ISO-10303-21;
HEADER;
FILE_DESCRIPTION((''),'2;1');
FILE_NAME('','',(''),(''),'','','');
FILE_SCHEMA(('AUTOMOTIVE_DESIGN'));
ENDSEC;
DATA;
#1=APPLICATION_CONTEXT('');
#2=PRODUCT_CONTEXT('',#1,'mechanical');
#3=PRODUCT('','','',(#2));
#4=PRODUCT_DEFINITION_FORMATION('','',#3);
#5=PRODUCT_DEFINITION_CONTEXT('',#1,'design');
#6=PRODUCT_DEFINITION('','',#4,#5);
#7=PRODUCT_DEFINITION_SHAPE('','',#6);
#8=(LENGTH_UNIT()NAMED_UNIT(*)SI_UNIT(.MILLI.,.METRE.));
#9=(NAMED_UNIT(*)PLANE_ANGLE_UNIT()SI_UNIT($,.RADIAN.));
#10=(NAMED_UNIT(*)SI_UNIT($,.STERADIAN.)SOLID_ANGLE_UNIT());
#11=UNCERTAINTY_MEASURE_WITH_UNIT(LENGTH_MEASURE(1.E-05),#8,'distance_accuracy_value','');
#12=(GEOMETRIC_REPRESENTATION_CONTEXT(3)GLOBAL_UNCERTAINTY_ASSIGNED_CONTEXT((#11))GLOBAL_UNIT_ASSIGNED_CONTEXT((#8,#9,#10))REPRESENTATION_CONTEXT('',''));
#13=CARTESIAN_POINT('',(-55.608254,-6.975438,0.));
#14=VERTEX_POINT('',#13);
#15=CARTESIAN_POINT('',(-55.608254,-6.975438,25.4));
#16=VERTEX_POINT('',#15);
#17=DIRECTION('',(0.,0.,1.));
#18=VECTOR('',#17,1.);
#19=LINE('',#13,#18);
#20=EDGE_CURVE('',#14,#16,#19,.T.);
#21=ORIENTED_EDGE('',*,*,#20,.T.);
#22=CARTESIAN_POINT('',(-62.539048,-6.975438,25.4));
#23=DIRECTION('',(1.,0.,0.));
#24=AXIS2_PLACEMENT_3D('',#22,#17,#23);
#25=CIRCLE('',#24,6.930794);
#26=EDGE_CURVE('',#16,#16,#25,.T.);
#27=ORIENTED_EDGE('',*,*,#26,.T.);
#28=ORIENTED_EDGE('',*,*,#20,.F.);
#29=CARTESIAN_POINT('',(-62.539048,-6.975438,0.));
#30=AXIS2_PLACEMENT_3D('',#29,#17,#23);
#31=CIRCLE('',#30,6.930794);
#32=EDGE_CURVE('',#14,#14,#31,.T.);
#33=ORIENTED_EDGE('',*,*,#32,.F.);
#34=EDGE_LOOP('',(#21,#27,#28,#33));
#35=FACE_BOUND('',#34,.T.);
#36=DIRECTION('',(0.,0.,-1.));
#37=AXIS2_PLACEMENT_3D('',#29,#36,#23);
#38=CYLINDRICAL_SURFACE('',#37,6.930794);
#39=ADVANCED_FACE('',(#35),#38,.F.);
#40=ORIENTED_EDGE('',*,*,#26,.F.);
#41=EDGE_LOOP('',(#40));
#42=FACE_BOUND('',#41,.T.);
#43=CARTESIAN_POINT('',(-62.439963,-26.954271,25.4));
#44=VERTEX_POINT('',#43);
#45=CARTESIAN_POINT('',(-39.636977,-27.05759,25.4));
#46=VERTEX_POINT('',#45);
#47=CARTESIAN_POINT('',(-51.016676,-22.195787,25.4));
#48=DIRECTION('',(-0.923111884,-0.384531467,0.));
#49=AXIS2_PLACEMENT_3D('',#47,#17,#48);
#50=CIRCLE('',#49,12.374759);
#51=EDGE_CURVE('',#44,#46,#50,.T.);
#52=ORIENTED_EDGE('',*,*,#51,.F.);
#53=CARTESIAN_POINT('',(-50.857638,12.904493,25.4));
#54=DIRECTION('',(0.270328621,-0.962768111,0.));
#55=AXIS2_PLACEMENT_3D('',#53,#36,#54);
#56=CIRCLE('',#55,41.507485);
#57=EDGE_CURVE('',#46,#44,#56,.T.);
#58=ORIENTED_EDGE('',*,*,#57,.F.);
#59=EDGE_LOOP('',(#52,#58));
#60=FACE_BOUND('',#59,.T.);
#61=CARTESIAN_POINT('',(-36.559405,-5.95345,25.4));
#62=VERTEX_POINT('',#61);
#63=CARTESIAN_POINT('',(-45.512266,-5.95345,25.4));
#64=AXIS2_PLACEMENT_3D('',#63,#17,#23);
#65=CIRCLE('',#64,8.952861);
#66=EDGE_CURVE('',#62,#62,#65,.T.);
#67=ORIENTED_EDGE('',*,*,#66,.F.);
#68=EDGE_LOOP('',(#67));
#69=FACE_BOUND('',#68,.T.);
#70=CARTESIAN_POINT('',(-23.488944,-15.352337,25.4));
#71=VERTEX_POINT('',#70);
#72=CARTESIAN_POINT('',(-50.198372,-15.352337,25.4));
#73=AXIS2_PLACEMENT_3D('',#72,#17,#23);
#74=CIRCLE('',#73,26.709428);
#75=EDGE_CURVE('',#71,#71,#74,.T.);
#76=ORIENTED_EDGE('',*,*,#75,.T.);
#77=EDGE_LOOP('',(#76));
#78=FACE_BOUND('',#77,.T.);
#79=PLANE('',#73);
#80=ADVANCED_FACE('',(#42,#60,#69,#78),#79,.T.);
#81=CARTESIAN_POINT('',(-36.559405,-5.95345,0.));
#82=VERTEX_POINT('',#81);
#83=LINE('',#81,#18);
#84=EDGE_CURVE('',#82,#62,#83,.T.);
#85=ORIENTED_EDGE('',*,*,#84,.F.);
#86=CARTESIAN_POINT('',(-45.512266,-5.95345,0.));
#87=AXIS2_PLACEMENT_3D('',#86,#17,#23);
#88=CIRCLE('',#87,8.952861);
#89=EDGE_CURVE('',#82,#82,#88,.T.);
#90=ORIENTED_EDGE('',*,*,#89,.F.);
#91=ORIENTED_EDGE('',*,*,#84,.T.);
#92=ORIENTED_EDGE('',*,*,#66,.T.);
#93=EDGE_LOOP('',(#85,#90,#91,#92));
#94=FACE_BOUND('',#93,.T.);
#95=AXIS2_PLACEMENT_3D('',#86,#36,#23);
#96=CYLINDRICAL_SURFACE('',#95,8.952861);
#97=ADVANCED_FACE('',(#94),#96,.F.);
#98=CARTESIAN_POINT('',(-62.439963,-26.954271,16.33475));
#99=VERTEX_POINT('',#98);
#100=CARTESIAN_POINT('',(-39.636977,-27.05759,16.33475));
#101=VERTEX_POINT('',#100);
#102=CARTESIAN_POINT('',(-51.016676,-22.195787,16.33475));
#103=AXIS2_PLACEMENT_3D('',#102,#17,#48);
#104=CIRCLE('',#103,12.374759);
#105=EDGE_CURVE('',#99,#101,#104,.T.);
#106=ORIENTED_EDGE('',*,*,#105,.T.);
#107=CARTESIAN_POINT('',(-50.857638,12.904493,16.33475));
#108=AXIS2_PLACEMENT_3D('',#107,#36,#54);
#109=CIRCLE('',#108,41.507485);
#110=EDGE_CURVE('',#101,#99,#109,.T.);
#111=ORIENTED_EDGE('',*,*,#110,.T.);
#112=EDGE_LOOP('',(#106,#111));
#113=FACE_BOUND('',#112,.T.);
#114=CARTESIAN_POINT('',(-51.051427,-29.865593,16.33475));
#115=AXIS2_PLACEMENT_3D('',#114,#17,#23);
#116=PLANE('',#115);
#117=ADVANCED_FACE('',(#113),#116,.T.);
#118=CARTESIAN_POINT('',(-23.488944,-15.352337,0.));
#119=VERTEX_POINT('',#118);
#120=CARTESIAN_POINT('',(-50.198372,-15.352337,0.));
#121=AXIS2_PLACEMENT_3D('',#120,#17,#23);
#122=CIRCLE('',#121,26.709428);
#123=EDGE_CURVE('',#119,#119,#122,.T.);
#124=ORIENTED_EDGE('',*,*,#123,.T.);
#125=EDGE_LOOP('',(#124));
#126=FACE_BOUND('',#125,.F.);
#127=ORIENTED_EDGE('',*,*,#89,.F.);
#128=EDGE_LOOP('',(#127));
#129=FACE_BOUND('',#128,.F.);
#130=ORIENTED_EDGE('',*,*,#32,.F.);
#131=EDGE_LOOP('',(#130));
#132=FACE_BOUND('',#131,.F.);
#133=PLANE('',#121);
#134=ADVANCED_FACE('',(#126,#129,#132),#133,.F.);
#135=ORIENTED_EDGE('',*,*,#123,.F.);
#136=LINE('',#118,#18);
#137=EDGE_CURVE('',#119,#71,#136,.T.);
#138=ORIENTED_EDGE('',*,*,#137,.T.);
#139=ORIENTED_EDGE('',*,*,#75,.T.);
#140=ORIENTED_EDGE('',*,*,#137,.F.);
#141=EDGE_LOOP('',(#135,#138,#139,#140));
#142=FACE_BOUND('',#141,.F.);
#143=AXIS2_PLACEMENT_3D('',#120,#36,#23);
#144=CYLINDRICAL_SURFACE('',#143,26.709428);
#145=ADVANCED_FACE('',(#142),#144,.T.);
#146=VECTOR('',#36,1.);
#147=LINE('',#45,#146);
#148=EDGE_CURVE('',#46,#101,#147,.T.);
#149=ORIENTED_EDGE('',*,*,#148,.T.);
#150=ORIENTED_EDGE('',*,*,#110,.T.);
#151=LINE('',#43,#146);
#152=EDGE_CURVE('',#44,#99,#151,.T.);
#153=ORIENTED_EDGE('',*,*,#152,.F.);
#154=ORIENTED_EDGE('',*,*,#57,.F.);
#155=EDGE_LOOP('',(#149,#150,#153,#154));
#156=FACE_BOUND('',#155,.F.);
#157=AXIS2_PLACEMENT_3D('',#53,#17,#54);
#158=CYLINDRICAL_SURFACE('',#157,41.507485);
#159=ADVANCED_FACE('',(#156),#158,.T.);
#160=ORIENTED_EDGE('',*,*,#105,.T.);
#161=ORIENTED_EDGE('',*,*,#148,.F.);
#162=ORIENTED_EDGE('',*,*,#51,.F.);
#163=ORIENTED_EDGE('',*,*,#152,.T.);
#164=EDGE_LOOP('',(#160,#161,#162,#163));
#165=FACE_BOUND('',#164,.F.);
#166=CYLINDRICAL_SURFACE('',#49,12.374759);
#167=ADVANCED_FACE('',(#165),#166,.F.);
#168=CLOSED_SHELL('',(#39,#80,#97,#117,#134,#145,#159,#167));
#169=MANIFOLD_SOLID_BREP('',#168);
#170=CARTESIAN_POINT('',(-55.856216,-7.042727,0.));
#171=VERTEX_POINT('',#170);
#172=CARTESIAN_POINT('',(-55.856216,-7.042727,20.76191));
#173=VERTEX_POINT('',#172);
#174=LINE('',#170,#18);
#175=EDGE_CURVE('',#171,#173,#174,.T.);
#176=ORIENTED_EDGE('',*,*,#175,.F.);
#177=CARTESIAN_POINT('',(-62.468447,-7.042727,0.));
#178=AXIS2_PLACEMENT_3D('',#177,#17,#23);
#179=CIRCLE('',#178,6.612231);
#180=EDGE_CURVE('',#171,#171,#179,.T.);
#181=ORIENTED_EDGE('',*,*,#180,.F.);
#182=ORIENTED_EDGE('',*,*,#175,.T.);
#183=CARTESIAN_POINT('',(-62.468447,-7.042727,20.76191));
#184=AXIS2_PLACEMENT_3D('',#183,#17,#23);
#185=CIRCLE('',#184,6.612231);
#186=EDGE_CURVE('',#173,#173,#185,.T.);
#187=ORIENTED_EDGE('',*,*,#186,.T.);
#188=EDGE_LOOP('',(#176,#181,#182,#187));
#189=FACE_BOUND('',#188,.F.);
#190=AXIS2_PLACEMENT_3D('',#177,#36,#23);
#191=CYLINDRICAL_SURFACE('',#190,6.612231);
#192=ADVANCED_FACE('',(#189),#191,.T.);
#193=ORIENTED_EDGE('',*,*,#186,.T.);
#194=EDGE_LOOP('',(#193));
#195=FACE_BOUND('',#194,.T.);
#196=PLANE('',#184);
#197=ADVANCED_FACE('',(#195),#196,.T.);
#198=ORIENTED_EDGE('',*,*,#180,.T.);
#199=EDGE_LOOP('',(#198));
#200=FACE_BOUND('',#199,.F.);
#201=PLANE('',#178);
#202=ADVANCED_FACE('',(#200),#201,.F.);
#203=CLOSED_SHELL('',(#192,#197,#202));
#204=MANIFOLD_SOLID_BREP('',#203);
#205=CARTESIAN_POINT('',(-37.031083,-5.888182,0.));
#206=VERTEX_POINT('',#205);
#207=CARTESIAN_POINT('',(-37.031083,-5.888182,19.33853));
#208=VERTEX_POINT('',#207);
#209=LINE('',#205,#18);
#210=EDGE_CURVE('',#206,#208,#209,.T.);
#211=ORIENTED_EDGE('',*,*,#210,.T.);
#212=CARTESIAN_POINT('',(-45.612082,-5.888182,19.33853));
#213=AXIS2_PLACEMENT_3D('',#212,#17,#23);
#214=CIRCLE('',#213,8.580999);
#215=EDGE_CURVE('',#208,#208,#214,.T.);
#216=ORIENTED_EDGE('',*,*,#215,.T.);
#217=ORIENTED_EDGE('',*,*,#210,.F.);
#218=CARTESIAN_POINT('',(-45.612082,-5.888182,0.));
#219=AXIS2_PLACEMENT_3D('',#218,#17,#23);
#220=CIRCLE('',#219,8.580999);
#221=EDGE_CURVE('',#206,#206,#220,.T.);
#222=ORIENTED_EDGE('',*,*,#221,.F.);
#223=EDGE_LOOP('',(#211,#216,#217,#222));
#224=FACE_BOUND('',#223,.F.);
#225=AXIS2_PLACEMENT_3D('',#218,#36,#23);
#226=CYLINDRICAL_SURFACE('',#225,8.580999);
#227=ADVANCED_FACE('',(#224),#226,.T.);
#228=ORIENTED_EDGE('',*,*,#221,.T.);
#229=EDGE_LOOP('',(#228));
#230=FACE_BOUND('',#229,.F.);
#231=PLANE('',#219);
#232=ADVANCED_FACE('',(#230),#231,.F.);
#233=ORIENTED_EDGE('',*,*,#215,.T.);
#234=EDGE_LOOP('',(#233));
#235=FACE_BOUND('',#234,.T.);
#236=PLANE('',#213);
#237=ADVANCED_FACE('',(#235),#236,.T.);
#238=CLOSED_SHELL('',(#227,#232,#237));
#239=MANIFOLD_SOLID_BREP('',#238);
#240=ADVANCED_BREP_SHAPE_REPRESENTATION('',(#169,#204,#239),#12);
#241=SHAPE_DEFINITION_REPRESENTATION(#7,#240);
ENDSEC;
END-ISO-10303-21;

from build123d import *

# Parameters (mm, degrees)
F1_R     = 26.709428
F1_R_2   = 6.930794
F1_R_3   = 8.952861
F2_DEPTH = 25.4
F5_DEPTH = 9.06525
F3_R     = 6.612231
F6_DEPTH = 20.76191
F7_R     = 8.580999
F8_DEPTH = 19.33853


with BuildPart() as f2:
    # F1 (on face) → F2 (new body)
    with BuildSketch(Plane.XY):
        with Locations((-50.198372, -15.352337)):
            Circle(F1_R)
        with Locations((-62.539048, -6.975438)):
            Circle(F1_R_2, mode=Mode.SUBTRACT)
        with Locations((-45.512266, -5.95345)):
            Circle(F1_R_3, mode=Mode.SUBTRACT)
    extrude(amount=F2_DEPTH)

    # F4 (on face) → F5 (cut)
    with BuildSketch(Plane.XY.offset(25.4)):
        with BuildLine():
            ThreePointArc((-39.636977, -27.05759), (-51.045704, -28.602566), (-62.439963, -26.954271))
            ThreePointArc((-62.439963, -26.954271), (-51.072744, -34.570419), (-39.636977, -27.05759))
        make_face()
    extrude(amount=-F5_DEPTH, mode=Mode.SUBTRACT)


with BuildPart() as f6:
    # F3 (on face) → F6 (new body)
    with BuildSketch(Plane.XY):
        with Locations((-62.468447, -7.042727)):
            Circle(F3_R)
    extrude(amount=F6_DEPTH)


with BuildPart() as f8:
    # F7 (on face) → F8 (new body)
    with BuildSketch(Plane.XY):
        with Locations((-45.612082, -5.888182)):
            Circle(F7_R)
    extrude(amount=F8_DEPTH)


solid = Compound([f2.part, f6.part, f8.part])
